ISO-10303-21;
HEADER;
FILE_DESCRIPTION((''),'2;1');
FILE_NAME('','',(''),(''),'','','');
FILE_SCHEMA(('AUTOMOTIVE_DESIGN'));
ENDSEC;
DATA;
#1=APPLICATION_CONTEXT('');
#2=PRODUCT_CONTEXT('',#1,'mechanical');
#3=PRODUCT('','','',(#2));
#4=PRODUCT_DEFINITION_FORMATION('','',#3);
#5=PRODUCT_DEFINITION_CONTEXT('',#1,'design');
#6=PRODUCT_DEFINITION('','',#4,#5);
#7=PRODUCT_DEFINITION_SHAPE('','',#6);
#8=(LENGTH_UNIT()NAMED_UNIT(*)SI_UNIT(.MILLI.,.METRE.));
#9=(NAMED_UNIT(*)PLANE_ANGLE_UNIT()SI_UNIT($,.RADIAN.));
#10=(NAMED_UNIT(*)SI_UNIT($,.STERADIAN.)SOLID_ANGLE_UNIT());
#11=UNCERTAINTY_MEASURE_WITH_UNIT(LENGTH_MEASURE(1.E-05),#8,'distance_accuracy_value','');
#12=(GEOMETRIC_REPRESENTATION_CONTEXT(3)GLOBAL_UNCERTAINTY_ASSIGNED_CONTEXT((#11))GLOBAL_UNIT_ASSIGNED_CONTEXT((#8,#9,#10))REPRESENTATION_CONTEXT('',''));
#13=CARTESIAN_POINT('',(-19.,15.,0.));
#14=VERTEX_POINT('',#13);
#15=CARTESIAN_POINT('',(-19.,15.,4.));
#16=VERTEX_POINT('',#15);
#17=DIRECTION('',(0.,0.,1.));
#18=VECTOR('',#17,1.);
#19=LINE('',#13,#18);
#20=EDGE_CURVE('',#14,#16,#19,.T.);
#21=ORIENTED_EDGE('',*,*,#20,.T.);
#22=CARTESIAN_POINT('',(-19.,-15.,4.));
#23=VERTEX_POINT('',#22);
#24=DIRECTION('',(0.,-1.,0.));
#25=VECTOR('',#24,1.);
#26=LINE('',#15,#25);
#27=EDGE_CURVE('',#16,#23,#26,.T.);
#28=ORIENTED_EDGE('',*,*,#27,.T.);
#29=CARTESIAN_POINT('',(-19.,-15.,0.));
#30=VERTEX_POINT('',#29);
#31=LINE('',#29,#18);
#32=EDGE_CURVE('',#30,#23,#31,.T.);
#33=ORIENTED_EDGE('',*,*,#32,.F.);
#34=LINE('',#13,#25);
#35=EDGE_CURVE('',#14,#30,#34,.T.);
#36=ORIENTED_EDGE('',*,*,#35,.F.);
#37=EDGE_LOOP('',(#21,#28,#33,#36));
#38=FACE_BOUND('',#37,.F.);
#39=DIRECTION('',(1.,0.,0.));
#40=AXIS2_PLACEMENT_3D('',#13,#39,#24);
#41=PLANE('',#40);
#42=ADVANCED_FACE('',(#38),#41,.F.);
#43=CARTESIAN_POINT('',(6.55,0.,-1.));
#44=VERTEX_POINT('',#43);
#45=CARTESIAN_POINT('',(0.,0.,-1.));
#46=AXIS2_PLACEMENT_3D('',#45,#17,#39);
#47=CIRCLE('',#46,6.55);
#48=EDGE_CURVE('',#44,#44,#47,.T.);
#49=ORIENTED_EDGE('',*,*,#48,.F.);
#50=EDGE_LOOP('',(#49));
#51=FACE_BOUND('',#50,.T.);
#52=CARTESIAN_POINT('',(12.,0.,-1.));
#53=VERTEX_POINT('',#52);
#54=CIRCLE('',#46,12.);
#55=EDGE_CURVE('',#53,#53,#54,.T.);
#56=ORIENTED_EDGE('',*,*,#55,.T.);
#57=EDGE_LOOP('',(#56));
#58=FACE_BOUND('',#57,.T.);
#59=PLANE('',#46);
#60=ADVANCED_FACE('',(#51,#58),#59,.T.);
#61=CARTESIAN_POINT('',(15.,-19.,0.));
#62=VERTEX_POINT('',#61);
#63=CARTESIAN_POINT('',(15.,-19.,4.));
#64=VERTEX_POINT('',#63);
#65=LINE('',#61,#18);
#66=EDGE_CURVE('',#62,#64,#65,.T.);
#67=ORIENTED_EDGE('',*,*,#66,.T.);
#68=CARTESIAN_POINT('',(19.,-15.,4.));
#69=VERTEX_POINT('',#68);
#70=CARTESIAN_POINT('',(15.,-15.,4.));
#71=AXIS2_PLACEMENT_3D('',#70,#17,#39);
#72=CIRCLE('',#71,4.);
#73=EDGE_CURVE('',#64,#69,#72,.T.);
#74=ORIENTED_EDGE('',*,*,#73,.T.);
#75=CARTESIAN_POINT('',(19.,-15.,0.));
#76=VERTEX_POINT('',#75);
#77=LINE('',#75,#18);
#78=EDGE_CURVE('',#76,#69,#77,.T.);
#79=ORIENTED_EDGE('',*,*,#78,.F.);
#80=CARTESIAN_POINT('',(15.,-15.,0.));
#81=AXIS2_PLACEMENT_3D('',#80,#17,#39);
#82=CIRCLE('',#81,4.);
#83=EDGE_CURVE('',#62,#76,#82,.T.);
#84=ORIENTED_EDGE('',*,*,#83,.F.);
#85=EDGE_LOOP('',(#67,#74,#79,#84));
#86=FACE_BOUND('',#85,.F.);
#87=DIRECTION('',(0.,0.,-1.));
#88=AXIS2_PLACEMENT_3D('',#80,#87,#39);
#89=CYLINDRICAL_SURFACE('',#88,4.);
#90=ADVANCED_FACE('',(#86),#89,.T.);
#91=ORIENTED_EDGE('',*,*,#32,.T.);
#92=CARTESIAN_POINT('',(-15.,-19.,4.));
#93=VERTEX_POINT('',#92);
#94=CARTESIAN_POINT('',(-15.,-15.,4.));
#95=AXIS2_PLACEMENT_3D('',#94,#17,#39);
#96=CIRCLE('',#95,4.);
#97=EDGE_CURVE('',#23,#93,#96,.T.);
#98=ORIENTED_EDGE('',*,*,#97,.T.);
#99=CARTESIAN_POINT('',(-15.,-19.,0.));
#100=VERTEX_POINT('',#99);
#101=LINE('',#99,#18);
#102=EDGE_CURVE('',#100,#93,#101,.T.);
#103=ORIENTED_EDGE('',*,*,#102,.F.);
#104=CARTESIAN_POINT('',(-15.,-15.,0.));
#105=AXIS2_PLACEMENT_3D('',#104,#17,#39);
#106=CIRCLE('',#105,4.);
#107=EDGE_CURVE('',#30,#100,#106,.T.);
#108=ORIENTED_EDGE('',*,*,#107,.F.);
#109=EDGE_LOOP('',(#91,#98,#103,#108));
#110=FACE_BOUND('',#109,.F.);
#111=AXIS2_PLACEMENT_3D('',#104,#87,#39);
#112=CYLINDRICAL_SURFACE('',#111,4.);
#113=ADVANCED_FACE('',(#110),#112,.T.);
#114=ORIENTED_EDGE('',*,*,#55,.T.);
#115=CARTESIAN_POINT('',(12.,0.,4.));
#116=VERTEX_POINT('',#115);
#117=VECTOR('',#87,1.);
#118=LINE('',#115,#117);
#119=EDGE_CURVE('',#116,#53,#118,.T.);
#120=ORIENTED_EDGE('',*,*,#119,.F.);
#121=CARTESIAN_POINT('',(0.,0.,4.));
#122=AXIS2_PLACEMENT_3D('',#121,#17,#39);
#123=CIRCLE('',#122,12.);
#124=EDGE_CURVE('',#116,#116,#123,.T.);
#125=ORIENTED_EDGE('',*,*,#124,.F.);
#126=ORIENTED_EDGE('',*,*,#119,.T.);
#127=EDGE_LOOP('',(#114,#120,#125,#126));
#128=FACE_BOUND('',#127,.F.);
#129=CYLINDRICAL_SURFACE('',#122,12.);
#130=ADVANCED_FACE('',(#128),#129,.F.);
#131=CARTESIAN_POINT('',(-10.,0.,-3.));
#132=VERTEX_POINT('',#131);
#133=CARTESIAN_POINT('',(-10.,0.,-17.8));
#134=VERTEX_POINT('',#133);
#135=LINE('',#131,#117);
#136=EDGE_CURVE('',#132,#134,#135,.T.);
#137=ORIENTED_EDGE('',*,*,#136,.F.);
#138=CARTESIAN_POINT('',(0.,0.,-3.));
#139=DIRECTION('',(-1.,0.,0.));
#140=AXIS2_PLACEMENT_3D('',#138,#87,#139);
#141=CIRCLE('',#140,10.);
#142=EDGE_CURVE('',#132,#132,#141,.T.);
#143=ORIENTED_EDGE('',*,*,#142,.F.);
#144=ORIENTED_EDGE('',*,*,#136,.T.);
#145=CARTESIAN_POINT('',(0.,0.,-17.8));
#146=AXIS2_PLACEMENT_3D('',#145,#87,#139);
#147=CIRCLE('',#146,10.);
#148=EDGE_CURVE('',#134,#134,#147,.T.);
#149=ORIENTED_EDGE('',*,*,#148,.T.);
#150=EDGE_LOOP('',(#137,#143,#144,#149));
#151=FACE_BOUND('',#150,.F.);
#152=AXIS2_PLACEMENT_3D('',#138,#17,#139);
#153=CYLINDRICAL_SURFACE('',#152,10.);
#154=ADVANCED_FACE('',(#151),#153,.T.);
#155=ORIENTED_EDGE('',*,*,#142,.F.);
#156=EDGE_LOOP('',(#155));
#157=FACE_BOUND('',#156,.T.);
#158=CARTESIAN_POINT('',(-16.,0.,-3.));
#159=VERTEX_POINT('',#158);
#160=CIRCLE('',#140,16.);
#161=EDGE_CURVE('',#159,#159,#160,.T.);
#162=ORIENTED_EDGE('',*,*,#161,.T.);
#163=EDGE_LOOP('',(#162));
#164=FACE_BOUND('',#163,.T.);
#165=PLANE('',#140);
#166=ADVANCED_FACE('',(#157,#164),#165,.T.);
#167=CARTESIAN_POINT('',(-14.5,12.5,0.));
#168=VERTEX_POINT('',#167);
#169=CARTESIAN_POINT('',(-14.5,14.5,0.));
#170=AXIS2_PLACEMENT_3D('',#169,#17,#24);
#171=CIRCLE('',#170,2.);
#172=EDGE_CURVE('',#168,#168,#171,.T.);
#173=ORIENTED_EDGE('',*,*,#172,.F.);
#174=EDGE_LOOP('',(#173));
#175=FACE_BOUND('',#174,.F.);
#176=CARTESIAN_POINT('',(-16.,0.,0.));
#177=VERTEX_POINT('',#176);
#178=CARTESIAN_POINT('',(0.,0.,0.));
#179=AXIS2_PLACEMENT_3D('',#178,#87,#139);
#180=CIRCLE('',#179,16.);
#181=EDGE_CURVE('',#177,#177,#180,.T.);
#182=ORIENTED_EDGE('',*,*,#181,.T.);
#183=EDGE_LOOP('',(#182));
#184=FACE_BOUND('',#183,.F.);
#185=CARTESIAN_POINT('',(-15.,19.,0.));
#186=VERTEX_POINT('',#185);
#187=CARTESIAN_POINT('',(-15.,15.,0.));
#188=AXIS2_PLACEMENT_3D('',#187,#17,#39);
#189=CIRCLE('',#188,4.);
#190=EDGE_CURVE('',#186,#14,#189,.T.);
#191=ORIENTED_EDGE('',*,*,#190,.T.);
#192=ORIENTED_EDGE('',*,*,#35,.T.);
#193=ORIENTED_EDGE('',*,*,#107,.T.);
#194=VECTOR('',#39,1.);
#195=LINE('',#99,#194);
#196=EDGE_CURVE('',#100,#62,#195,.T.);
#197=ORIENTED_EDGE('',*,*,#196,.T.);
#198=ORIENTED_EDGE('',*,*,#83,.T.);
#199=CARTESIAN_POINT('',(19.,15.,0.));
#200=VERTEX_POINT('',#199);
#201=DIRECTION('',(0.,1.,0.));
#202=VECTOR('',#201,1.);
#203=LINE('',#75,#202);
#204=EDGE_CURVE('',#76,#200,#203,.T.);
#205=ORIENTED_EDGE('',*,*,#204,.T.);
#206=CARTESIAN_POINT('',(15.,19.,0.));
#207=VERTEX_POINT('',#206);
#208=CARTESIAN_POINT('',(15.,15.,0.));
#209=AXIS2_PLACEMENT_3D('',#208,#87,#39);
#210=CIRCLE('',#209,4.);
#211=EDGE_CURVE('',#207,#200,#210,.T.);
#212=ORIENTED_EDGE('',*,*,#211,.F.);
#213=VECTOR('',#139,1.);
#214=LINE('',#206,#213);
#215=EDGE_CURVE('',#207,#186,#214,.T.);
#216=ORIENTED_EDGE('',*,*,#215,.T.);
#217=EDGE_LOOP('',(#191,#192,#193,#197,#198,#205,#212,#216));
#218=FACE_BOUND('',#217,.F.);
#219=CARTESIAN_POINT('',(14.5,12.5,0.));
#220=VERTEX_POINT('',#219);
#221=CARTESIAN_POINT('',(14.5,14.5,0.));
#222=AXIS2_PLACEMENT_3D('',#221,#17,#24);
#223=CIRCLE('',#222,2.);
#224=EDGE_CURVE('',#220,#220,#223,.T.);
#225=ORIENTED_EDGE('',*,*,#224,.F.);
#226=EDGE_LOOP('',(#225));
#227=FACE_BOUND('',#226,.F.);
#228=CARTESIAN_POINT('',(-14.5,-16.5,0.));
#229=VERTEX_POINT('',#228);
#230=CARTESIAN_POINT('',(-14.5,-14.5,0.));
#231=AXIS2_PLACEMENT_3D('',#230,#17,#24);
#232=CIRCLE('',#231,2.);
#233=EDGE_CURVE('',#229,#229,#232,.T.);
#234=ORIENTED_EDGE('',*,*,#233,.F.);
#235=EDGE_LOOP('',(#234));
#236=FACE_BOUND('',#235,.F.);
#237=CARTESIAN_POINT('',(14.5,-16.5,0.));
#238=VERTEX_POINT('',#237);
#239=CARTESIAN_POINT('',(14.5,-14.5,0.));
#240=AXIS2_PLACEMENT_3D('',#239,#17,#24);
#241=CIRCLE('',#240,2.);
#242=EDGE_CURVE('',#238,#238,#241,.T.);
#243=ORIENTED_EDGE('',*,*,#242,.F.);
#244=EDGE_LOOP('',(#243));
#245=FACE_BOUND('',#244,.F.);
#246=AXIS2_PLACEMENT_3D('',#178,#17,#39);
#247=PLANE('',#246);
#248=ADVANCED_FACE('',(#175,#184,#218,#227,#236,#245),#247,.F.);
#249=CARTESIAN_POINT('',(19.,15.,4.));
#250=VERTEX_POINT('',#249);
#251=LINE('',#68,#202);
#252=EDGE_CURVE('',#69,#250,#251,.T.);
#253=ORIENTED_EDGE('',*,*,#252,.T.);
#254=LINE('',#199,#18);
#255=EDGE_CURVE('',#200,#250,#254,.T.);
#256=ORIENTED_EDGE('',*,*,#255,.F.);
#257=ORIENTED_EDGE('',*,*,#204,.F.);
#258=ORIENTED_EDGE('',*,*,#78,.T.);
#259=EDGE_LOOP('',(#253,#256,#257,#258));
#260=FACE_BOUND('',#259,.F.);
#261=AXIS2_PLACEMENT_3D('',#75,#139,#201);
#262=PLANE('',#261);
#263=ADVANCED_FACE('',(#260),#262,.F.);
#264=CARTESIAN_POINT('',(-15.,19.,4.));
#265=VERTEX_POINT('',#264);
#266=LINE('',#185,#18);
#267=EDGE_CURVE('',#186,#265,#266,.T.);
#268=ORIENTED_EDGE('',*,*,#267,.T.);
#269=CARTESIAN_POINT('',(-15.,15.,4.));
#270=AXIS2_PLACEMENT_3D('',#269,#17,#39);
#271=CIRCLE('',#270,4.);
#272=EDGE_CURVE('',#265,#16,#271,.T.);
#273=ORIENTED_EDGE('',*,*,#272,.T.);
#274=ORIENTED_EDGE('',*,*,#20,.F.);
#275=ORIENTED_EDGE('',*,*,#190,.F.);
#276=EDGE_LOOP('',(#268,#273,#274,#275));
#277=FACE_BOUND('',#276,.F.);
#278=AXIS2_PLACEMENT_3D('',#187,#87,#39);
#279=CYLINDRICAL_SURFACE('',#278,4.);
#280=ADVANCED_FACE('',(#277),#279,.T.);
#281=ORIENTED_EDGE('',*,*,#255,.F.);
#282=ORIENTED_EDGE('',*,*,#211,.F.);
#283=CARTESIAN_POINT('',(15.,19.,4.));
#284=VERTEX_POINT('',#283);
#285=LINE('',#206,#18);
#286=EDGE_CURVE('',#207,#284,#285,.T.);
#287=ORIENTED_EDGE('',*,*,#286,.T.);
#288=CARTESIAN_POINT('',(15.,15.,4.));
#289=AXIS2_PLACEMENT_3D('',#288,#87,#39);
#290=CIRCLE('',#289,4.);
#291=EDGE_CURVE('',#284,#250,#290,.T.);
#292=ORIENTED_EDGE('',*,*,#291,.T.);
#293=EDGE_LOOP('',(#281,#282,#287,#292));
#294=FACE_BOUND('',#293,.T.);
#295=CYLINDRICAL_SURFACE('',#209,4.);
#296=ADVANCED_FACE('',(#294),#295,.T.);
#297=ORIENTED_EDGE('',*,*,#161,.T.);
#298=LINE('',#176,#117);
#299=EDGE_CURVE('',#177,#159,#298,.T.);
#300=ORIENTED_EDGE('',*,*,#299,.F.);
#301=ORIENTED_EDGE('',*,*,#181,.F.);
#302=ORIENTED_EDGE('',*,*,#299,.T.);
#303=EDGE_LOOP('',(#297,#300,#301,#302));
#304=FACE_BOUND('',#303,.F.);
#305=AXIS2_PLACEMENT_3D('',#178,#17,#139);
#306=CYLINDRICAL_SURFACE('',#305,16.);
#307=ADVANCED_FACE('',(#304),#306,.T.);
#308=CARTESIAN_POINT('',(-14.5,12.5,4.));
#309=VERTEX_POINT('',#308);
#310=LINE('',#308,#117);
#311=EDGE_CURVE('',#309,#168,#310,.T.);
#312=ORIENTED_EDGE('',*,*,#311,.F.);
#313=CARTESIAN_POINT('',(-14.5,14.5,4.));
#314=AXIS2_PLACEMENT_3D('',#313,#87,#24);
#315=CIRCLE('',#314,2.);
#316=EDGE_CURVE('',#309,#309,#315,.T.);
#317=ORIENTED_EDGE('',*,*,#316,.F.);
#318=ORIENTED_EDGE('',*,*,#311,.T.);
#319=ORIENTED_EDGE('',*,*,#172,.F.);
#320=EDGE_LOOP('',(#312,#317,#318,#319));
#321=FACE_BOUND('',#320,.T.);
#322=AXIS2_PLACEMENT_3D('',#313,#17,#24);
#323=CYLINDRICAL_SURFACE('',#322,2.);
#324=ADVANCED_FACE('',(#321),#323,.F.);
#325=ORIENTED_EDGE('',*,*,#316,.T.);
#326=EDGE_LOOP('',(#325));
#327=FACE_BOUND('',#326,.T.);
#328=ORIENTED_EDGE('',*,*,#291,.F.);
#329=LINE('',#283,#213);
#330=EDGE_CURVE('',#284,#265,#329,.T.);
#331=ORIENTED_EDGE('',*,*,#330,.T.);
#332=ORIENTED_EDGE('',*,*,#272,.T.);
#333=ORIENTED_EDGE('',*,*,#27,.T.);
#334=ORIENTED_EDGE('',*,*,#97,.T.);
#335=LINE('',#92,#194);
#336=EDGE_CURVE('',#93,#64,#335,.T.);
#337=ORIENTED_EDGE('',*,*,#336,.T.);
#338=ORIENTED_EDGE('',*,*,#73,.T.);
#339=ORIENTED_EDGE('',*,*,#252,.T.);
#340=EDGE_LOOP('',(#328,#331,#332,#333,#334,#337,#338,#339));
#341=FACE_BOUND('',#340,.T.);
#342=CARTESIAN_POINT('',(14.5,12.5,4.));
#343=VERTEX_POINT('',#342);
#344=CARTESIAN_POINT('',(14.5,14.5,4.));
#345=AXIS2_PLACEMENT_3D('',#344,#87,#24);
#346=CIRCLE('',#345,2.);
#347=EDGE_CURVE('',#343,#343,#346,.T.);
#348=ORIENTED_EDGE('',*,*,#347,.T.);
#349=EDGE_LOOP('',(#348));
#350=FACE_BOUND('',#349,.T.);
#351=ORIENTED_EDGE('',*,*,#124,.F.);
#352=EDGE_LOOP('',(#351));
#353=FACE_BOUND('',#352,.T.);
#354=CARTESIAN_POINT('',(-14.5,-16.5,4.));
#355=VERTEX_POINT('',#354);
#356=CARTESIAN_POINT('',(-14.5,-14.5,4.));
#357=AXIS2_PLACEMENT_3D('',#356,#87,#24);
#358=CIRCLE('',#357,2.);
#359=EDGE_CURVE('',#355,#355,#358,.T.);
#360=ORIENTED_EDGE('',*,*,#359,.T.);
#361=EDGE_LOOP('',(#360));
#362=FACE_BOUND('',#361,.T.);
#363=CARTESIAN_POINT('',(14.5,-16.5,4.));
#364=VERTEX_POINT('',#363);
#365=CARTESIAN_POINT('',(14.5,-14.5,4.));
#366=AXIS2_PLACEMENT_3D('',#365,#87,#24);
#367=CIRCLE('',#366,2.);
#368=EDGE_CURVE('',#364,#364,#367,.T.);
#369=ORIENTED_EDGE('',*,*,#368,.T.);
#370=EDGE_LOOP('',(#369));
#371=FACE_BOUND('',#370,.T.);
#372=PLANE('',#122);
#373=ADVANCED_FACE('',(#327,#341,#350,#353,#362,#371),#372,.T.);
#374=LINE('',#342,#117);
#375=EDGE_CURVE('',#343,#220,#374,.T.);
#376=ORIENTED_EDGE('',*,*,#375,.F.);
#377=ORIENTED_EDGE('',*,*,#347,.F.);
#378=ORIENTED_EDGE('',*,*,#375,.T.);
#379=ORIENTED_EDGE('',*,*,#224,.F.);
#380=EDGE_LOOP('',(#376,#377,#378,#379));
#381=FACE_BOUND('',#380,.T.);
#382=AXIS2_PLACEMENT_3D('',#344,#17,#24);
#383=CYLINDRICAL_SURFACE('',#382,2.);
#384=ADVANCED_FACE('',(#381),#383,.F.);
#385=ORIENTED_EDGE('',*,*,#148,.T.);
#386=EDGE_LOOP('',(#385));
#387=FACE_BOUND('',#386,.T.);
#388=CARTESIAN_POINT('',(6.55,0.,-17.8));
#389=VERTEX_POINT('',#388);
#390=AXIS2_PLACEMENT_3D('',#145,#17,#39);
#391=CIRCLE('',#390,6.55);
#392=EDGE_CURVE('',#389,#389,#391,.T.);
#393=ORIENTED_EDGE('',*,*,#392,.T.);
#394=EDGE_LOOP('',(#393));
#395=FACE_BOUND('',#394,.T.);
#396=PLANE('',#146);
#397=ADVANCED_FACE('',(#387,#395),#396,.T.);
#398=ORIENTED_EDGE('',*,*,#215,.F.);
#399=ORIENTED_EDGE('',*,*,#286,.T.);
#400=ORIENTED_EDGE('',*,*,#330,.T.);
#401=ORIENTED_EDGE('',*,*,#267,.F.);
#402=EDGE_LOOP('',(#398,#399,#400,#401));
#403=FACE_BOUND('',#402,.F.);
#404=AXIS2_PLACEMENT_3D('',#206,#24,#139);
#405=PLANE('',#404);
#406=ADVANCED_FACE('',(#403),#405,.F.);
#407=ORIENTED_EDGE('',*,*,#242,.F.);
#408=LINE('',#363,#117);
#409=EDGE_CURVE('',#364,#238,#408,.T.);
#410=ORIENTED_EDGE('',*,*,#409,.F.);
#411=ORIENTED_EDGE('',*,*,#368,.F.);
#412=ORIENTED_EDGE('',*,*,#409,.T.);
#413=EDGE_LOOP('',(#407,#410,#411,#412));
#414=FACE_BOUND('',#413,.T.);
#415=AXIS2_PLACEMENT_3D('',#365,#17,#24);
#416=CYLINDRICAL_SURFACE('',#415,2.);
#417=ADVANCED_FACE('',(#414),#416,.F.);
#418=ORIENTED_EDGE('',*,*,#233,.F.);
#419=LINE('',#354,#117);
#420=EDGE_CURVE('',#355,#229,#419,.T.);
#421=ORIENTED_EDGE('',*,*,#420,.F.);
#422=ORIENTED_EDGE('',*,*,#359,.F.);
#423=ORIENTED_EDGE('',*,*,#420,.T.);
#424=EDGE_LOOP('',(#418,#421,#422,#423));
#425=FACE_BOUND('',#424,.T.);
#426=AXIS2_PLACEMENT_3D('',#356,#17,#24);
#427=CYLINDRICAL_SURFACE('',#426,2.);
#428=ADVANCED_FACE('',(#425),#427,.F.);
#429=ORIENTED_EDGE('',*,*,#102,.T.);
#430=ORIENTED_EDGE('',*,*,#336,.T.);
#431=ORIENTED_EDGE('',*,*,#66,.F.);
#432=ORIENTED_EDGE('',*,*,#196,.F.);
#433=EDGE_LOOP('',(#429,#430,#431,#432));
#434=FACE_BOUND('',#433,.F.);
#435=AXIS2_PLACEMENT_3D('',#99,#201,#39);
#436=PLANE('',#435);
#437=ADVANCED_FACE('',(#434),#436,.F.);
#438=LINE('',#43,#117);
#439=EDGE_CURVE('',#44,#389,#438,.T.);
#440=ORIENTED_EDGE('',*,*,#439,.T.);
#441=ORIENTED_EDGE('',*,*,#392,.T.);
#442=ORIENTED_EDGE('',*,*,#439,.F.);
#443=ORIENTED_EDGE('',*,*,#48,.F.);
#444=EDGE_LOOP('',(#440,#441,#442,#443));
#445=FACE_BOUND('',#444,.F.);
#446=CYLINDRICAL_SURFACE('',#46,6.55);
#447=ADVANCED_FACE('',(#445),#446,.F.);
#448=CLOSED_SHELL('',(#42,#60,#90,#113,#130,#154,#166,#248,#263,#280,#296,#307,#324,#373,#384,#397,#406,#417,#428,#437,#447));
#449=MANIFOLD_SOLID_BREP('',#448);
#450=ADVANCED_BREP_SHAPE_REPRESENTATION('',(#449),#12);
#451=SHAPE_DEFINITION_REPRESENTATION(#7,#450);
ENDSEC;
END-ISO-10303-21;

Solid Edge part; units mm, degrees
sketch "Sketch1" plane through (0, 0, 0) normal (0, 0, 1) x (1, 0, 0)
  line L0 (15, 19) -> (-15, 19)
  arc A0 (-15, 19) -> (-19, 15) centre (-15, 15) ccw
  line L1 (-19, 15) -> (-19, -15)
  arc A1 (-19, -15) -> (-15, -19) centre (-15, -15) ccw
  line L2 (-15, -19) -> (15, -19)
  arc A2 (15, -19) -> (19, -15) centre (15, -15) ccw
  line L3 (19, -15) -> (19, 15)
  arc A3 (15, 19) -> (19, 15) centre (15, 15) cw
  dimension "D1" = 38
  dimension "D2" = 38
  dimension "D3" = 4
  dimension "D4" = 19
  dimension "D5" = 19
extrude "Protrusion1" add sketch "Sketch1" along normal blind 4
sketch "Sketch2" plane through (0, 0, 0) normal (0, 0, -1) x (-1, 0, 0)
  circle A0 centre (0, 0) radius 16
  dimension "D1" = 32
extrude "Protrusion2" add sketch "Sketch2" along normal blind 3
sketch "Sketch3" plane through (0, 0, -3) normal (0, 0, -1) x (-1, 0, 0)
  circle A0 centre (0, 0) radius 10
  dimension "D1" = 20
extrude "Protrusion3" add sketch "Sketch3" along normal blind 14.8
sketch "Sketch4" plane through (0, 0, 4) normal (0, 0, 1) x (1, 0, 0)
  circle A0 centre (0, 0) radius 12
  dimension "D1" = 24
extrude "Cutout1" cut sketch "Sketch4" against normal blind 5
sketch "Sketch5" plane through (0, 0, -1) normal (0, 0, 1) x (1, 0, 0)
  circle A0 centre (0, 0) radius 6.55
  dimension "D1" = 13.1
extrude "Cutout2" cut sketch "Sketch5" against normal up to next
hole "Hole1" at (-14.5, 14.5, 4) direction (0, 0, -1) diameter 4 end up to next
hole "Hole2" at (14.5, 14.5, 4) direction (0, 0, -1) diameter 4 end up to next
hole "Hole3" at (14.5, -14.5, 4) direction (0, 0, -1) diameter 4 end up to next
hole "Hole4" at (-14.5, -14.5, 4) direction (0, 0, -1) diameter 4 end up to next
properties part number "PLATE1" material "410 Stainless Steel"
